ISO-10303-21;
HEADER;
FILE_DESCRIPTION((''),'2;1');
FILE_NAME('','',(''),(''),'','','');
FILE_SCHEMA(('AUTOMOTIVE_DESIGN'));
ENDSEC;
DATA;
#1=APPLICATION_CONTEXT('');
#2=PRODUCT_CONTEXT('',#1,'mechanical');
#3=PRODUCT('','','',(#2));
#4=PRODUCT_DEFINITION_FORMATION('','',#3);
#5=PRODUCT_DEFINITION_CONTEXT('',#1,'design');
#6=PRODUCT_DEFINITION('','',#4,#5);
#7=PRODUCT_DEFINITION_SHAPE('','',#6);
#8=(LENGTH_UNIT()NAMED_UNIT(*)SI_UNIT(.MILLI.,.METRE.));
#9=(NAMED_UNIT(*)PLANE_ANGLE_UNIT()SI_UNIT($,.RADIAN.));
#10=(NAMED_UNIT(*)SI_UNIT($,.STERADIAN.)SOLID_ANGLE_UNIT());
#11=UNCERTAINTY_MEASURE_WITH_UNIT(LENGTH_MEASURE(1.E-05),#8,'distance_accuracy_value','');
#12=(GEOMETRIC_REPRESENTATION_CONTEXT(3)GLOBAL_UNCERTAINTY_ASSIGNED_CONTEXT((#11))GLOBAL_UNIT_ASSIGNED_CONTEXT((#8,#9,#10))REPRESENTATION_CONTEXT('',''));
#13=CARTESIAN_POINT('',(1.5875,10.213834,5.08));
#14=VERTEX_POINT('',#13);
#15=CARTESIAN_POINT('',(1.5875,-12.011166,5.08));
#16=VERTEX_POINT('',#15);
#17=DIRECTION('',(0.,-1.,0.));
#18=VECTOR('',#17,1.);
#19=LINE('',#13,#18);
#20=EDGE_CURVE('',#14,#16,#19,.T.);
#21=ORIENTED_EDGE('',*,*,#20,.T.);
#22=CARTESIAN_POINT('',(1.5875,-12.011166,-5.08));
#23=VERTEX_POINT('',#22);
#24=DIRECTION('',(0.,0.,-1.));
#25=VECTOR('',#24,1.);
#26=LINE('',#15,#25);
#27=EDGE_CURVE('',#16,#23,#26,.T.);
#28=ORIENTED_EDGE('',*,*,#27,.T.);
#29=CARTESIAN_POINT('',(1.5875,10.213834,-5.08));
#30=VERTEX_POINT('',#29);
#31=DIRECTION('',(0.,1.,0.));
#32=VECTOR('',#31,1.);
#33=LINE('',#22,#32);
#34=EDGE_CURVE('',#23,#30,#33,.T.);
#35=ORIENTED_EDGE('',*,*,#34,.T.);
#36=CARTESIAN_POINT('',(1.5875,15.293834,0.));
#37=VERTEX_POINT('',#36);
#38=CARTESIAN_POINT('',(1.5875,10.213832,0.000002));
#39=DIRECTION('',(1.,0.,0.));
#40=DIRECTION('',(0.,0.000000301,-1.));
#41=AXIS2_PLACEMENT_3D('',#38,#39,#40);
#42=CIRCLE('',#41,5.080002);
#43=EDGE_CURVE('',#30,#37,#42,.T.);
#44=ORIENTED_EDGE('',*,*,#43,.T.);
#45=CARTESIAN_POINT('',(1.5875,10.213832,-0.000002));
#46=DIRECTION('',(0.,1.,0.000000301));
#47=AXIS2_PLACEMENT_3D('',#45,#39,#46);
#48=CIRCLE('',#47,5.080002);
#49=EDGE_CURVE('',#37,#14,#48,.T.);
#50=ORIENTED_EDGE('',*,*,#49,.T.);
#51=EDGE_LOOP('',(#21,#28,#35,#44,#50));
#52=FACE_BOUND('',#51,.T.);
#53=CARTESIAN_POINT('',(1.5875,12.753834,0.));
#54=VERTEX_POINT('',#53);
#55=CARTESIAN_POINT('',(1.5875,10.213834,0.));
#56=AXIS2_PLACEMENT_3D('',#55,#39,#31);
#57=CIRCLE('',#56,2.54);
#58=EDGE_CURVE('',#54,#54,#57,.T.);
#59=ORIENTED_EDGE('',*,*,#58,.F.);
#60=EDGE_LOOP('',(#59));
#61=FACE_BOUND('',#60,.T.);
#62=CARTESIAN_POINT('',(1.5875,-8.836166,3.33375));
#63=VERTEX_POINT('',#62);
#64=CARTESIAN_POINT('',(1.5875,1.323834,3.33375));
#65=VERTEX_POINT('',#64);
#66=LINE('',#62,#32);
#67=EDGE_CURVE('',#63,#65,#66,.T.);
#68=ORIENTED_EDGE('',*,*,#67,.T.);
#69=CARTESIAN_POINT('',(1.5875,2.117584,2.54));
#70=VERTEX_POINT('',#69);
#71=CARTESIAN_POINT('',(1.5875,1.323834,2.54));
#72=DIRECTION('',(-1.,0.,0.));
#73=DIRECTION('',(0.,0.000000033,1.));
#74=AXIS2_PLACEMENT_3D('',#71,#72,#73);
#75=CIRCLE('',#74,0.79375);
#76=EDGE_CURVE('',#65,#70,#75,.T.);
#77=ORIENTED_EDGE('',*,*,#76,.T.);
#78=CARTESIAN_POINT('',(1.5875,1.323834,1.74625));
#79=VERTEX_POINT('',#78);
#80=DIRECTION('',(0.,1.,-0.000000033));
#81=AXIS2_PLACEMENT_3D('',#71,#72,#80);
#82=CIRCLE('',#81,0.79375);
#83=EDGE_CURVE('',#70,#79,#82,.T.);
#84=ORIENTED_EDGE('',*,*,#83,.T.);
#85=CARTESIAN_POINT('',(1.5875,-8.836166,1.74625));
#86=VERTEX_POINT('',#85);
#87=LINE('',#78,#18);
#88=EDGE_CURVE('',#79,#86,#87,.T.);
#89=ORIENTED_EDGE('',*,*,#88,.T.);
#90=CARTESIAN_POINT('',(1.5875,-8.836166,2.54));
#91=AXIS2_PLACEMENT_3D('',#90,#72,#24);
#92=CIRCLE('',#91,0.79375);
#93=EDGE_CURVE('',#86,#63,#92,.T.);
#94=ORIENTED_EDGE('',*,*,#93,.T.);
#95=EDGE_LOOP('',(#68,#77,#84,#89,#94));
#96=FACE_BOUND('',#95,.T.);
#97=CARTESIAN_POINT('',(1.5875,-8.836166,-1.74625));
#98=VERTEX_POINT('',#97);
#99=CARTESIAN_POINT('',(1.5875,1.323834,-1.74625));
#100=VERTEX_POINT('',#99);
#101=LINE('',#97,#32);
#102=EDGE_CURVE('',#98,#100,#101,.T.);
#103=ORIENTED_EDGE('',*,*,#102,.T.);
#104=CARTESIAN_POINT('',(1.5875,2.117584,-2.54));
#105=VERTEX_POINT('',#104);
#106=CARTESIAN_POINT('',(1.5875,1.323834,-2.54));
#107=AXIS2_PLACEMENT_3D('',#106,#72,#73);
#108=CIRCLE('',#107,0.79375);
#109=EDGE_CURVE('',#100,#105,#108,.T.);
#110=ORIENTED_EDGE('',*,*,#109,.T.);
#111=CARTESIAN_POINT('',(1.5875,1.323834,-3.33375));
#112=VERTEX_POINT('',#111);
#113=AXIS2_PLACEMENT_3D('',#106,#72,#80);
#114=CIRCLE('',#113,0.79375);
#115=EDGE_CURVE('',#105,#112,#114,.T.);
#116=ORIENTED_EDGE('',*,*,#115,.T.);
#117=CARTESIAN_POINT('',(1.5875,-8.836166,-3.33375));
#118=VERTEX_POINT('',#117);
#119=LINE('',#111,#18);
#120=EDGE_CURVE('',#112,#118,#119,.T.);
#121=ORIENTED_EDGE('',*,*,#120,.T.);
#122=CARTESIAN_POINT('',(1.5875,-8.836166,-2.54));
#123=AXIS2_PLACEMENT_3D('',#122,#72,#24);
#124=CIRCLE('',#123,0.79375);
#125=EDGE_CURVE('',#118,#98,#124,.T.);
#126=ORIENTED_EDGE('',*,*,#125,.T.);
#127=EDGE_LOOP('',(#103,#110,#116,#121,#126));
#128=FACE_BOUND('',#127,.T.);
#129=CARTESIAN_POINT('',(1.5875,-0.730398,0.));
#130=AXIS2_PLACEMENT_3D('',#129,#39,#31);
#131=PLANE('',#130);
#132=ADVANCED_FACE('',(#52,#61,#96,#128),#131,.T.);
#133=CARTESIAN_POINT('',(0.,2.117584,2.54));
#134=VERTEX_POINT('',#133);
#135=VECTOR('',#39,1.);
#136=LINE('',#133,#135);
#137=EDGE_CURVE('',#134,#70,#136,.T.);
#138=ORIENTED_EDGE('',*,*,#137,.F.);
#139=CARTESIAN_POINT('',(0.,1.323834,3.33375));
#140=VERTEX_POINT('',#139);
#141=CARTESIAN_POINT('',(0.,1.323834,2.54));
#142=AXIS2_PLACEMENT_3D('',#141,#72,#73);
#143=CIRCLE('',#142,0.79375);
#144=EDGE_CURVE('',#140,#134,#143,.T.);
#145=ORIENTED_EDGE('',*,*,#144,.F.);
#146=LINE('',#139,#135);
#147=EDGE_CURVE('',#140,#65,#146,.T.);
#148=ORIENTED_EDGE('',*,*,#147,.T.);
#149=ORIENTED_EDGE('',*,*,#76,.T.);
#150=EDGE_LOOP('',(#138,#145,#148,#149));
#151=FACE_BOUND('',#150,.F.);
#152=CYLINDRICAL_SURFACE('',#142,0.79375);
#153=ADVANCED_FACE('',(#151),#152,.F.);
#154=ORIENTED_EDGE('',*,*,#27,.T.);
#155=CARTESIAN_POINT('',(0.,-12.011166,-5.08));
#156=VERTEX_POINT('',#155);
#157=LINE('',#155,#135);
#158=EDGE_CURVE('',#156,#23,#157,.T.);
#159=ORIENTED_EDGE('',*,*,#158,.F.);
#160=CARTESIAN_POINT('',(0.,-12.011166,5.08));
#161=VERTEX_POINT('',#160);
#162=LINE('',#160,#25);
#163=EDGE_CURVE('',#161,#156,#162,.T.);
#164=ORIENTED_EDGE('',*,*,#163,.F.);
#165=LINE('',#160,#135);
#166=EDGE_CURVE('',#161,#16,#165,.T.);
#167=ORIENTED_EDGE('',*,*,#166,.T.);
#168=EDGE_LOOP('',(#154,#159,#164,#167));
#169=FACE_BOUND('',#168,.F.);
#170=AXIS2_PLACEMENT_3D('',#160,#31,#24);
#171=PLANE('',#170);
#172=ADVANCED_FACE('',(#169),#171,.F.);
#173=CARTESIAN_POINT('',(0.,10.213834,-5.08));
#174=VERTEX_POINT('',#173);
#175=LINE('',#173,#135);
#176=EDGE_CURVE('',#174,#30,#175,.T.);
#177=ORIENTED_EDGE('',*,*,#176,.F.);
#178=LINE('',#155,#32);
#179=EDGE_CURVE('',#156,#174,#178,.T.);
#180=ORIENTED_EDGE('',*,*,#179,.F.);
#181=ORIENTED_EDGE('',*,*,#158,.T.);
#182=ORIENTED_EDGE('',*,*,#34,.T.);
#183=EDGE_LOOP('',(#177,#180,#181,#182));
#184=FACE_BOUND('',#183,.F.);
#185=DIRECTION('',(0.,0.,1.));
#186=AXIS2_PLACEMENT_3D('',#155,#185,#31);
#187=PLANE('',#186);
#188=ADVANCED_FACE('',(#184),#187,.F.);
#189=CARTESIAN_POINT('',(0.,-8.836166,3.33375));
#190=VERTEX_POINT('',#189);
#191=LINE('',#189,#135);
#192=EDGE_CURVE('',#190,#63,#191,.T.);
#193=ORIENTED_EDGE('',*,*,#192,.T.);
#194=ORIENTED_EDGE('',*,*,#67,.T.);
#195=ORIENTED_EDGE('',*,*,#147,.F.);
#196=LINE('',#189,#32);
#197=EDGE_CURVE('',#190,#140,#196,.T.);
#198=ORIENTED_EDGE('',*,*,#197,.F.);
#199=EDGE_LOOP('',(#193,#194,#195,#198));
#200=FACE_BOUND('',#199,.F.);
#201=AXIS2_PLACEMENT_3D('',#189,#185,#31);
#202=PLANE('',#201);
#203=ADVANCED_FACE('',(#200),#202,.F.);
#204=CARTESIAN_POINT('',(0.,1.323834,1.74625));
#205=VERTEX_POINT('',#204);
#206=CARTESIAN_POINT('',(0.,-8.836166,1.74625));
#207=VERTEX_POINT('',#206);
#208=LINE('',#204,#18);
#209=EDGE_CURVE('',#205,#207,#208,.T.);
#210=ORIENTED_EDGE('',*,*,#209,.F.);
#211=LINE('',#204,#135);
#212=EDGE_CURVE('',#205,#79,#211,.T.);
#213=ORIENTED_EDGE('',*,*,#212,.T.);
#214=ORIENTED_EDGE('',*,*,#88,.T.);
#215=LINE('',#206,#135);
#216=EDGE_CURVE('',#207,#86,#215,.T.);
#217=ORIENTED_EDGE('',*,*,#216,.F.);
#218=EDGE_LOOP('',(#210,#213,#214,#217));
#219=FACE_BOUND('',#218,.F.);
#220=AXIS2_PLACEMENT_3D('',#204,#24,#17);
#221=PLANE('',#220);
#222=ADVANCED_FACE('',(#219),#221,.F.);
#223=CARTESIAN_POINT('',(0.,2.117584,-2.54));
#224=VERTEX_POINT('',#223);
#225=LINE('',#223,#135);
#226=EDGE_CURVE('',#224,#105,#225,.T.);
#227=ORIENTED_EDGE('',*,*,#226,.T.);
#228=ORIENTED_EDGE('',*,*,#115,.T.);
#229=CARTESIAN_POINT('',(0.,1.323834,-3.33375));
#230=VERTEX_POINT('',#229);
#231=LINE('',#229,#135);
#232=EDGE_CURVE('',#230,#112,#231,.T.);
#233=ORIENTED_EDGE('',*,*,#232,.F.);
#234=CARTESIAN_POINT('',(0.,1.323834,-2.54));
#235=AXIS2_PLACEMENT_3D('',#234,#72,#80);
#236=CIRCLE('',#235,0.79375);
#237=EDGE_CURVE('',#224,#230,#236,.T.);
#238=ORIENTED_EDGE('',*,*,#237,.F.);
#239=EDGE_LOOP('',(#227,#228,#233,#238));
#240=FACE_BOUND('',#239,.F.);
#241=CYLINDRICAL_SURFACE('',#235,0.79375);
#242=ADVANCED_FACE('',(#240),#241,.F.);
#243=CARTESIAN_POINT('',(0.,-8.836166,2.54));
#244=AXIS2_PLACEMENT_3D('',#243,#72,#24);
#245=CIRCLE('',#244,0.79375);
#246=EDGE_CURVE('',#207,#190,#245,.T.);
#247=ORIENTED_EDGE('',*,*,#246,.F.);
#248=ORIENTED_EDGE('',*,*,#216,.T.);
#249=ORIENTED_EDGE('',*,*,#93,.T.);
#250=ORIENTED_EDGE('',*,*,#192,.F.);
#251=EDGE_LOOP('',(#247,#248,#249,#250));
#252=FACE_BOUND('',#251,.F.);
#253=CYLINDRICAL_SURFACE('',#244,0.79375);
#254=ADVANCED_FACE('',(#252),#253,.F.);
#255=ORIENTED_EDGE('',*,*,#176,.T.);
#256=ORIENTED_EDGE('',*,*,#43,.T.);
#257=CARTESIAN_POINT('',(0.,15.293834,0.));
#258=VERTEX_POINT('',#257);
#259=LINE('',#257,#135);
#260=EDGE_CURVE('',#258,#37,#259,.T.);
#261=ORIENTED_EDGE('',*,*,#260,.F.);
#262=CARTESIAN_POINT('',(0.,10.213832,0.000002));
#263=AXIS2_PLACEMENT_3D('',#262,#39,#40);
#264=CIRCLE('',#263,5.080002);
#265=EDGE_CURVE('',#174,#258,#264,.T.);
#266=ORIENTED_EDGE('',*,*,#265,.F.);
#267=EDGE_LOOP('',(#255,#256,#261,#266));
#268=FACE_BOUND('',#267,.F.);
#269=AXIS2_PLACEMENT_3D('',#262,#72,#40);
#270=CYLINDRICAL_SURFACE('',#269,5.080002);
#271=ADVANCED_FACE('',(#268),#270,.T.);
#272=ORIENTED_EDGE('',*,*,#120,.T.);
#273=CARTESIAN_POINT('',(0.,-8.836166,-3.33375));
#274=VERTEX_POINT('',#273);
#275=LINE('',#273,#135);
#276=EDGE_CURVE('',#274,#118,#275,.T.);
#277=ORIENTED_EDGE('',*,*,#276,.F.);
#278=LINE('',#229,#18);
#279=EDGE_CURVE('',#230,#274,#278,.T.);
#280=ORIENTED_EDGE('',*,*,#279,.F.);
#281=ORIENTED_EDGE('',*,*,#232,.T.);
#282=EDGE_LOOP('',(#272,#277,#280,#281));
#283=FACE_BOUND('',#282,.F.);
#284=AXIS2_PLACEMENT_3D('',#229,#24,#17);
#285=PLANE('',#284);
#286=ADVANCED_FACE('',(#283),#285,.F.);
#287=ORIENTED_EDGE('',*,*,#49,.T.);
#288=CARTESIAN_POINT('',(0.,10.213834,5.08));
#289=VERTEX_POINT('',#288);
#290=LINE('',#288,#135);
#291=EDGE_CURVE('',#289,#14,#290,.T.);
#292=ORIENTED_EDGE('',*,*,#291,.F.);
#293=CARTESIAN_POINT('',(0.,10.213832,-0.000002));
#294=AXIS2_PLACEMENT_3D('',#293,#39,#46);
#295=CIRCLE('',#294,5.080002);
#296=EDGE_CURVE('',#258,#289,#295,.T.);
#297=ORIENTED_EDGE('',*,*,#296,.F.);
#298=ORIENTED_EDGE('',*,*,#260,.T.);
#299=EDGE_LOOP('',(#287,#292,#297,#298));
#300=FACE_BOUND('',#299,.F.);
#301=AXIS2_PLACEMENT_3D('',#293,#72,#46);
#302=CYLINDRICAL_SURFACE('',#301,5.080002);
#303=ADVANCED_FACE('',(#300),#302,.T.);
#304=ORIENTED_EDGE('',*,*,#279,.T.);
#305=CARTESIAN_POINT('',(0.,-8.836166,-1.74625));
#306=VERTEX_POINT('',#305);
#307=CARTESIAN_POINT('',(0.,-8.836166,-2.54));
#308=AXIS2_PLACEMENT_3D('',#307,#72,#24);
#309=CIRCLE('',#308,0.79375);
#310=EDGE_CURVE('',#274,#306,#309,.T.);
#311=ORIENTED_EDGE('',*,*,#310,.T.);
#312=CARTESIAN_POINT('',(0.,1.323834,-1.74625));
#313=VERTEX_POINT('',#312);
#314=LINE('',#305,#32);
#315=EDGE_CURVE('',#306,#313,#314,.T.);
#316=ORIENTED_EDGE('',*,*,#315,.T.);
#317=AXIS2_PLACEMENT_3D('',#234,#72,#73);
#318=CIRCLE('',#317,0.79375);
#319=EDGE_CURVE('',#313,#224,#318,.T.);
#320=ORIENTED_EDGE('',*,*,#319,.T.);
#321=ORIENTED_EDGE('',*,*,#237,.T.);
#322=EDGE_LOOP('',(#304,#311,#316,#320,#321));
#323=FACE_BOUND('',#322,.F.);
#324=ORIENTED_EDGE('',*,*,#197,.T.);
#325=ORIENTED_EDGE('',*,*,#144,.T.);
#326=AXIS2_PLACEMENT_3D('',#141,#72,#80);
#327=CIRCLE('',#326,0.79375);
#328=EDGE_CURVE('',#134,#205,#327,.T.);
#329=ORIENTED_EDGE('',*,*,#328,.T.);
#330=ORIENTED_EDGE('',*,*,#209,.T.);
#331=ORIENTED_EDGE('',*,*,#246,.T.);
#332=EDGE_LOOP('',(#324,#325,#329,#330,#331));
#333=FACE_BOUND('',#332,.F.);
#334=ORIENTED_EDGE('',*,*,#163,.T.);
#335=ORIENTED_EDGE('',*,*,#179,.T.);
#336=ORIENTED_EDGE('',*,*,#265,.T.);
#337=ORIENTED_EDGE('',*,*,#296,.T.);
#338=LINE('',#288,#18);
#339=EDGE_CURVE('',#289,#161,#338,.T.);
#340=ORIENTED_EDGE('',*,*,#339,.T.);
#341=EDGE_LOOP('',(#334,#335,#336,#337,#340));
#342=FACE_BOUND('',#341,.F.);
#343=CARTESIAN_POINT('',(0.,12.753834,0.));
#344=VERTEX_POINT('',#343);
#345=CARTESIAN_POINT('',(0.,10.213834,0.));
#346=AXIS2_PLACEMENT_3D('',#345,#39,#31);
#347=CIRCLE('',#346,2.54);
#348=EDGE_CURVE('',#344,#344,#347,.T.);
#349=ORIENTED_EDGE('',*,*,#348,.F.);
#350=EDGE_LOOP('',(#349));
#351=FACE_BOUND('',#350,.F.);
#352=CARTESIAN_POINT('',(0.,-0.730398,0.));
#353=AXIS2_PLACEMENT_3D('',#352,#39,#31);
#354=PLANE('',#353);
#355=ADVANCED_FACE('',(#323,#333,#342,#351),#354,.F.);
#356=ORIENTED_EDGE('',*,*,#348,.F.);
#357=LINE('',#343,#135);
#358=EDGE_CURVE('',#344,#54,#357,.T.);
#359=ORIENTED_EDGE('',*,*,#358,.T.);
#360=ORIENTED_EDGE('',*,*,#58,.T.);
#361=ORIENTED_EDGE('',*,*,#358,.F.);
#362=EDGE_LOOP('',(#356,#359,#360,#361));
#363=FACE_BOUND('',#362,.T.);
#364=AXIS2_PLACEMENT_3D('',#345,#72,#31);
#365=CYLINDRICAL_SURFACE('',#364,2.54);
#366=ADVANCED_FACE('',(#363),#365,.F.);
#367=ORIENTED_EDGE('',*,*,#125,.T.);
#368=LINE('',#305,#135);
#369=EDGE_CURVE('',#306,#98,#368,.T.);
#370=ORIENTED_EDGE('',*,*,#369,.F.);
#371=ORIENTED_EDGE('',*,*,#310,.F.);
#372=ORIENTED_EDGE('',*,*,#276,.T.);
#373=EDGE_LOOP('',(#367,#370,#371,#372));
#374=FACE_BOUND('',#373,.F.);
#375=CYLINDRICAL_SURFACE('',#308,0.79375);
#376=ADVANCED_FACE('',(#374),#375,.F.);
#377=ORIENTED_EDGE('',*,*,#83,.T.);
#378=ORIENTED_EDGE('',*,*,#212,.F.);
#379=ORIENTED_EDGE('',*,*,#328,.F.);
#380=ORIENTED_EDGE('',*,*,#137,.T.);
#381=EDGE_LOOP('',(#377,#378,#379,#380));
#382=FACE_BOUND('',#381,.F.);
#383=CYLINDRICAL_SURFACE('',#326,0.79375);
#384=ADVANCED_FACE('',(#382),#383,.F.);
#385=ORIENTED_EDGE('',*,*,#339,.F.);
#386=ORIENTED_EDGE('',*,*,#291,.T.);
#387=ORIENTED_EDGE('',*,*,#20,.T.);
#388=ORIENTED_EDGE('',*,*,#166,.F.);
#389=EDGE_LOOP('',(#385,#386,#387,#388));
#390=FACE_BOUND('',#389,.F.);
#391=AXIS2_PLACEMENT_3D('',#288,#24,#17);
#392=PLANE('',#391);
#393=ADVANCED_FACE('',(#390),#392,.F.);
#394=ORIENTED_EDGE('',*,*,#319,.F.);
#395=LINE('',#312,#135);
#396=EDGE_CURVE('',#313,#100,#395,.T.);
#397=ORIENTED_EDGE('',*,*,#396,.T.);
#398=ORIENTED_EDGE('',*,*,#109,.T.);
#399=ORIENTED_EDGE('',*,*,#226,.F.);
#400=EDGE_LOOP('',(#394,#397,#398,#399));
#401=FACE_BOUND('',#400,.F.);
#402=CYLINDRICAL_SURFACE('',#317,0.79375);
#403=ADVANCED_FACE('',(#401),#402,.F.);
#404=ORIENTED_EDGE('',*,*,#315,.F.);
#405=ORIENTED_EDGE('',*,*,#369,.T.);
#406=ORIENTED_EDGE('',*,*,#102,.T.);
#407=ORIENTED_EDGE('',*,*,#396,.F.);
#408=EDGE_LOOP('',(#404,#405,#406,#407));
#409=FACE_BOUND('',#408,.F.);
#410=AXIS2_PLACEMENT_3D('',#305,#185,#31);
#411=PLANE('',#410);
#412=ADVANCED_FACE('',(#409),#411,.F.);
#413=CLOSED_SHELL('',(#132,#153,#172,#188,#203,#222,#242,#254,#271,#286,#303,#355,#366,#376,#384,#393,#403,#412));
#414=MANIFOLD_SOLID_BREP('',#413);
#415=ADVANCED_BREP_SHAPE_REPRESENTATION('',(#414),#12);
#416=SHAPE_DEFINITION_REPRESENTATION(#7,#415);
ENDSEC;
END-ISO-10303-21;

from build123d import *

# Parameters (mm, degrees)
F0_R     = 2.54
F1_DEPTH = 1.5875


with BuildPart() as f1:
    # F0 (on Right) → F1 (new body)
    with BuildSketch(Plane.YZ):
        with BuildLine():
            Line((10.213834, 5.08), (-12.011166, 5.08))
            Line((-12.011166, 5.08), (-12.011166, -5.08))
            Line((-12.011166, -5.08), (10.213834, -5.08))
            ThreePointArc((10.213834, -5.08), (5.133834, 0), (10.213834, 5.08))
        make_face()
        with BuildLine():
            ThreePointArc((-8.836166, -3.33375), (-9.629916, -2.54), (-8.836166, -1.74625))
            Line((-8.836166, -1.74625), (1.323834, -1.74625))
            ThreePointArc((1.323834, -1.74625), (1.8851, -1.978734), (2.117584, -2.54))
            ThreePointArc((2.117584, -2.54), (1.8851, -3.101266), (1.323834, -3.33375))
            Line((1.323834, -3.33375), (-8.836166, -3.33375))
        make_face(mode=Mode.SUBTRACT)
        with BuildLine():
            ThreePointArc((-8.836166, 1.74625), (-9.629916, 2.54), (-8.836166, 3.33375))
            Line((-8.836166, 3.33375), (1.323834, 3.33375))
            ThreePointArc((1.323834, 3.33375), (1.8851, 3.101266), (2.117584, 2.54))
            ThreePointArc((2.117584, 2.54), (1.8851, 1.978734), (1.323834, 1.74625))
            Line((1.323834, 1.74625), (-8.836166, 1.74625))
        make_face(mode=Mode.SUBTRACT)
        with BuildLine():
            ThreePointArc((15.293834, 0), (13.805936, 3.592102), (10.213834, 5.08))
            ThreePointArc((10.213834, 5.08), (5.133834, 0), (10.213834, -5.08))
            ThreePointArc((10.213834, -5.08), (13.805936, -3.592102), (15.293834, 0))
        make_face()
        with Locations((10.213834, 0)):
            Circle(F0_R, mode=Mode.SUBTRACT)
    extrude(amount=F1_DEPTH)


solid = f1.part
